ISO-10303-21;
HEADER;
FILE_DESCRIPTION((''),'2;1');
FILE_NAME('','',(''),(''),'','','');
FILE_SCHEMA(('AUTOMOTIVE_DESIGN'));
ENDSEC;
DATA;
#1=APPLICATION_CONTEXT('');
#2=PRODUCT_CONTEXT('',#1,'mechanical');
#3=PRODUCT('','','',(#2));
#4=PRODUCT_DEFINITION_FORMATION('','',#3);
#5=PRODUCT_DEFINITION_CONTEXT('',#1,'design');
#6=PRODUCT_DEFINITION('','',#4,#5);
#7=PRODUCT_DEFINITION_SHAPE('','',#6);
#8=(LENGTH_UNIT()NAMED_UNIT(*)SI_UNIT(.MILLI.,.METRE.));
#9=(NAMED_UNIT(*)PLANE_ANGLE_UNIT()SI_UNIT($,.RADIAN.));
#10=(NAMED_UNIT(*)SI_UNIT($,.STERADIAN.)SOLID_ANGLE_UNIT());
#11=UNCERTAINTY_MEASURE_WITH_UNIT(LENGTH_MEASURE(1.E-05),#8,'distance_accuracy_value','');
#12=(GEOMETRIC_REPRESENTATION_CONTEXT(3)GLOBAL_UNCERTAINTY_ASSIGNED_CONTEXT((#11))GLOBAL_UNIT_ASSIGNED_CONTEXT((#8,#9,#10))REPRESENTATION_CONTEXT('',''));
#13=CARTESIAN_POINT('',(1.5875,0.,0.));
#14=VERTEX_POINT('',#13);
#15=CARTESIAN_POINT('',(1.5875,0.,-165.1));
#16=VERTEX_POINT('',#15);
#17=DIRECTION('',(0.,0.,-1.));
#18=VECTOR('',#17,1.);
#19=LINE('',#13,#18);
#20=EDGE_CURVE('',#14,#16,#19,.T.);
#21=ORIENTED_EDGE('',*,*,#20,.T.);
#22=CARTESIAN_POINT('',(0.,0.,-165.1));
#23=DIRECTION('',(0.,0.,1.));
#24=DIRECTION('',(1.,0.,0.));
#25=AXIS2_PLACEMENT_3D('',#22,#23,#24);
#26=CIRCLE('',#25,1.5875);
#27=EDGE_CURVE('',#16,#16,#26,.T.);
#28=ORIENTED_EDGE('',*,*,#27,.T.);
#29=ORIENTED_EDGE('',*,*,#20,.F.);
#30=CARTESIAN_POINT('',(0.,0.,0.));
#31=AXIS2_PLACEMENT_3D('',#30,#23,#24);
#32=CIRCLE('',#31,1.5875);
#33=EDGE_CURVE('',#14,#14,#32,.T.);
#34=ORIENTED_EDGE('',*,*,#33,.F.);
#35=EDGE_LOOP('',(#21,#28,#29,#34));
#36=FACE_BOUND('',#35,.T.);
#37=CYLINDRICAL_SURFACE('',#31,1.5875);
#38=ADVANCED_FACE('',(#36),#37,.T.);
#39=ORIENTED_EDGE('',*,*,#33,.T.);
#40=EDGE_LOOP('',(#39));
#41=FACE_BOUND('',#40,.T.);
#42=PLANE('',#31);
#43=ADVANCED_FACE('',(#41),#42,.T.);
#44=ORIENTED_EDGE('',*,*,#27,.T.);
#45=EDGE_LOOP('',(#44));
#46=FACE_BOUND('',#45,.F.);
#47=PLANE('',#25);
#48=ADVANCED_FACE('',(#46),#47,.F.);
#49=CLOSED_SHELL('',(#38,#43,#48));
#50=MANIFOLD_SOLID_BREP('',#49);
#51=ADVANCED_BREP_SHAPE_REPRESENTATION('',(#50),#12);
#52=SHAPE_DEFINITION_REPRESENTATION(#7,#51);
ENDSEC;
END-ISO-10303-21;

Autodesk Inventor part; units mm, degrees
ref_plane "YZ Plane" through (0, 0, 0) normal (1, 0, 0) x (0, 1, 0)
ref_plane "XZ Plane" through (0, 0, 0) normal (0, 1, 0) x (-1, 0, 0)
ref_plane "XY Plane" through (0, 0, 0) normal (0, 0, 1) x (1, 0, 0)
sketch "Sketch1" plane through (0, 0, 0) normal (0, 0, 1) x (1, 0, 0)
  circle A0 centre (0, 0) radius 1.5875
  dimension "d0" = 3.175
extrude "Extrusion1" add sketch "Sketch1" against normal blind 165.1
properties part number "Needle Bearing Mount Connector Rod"
